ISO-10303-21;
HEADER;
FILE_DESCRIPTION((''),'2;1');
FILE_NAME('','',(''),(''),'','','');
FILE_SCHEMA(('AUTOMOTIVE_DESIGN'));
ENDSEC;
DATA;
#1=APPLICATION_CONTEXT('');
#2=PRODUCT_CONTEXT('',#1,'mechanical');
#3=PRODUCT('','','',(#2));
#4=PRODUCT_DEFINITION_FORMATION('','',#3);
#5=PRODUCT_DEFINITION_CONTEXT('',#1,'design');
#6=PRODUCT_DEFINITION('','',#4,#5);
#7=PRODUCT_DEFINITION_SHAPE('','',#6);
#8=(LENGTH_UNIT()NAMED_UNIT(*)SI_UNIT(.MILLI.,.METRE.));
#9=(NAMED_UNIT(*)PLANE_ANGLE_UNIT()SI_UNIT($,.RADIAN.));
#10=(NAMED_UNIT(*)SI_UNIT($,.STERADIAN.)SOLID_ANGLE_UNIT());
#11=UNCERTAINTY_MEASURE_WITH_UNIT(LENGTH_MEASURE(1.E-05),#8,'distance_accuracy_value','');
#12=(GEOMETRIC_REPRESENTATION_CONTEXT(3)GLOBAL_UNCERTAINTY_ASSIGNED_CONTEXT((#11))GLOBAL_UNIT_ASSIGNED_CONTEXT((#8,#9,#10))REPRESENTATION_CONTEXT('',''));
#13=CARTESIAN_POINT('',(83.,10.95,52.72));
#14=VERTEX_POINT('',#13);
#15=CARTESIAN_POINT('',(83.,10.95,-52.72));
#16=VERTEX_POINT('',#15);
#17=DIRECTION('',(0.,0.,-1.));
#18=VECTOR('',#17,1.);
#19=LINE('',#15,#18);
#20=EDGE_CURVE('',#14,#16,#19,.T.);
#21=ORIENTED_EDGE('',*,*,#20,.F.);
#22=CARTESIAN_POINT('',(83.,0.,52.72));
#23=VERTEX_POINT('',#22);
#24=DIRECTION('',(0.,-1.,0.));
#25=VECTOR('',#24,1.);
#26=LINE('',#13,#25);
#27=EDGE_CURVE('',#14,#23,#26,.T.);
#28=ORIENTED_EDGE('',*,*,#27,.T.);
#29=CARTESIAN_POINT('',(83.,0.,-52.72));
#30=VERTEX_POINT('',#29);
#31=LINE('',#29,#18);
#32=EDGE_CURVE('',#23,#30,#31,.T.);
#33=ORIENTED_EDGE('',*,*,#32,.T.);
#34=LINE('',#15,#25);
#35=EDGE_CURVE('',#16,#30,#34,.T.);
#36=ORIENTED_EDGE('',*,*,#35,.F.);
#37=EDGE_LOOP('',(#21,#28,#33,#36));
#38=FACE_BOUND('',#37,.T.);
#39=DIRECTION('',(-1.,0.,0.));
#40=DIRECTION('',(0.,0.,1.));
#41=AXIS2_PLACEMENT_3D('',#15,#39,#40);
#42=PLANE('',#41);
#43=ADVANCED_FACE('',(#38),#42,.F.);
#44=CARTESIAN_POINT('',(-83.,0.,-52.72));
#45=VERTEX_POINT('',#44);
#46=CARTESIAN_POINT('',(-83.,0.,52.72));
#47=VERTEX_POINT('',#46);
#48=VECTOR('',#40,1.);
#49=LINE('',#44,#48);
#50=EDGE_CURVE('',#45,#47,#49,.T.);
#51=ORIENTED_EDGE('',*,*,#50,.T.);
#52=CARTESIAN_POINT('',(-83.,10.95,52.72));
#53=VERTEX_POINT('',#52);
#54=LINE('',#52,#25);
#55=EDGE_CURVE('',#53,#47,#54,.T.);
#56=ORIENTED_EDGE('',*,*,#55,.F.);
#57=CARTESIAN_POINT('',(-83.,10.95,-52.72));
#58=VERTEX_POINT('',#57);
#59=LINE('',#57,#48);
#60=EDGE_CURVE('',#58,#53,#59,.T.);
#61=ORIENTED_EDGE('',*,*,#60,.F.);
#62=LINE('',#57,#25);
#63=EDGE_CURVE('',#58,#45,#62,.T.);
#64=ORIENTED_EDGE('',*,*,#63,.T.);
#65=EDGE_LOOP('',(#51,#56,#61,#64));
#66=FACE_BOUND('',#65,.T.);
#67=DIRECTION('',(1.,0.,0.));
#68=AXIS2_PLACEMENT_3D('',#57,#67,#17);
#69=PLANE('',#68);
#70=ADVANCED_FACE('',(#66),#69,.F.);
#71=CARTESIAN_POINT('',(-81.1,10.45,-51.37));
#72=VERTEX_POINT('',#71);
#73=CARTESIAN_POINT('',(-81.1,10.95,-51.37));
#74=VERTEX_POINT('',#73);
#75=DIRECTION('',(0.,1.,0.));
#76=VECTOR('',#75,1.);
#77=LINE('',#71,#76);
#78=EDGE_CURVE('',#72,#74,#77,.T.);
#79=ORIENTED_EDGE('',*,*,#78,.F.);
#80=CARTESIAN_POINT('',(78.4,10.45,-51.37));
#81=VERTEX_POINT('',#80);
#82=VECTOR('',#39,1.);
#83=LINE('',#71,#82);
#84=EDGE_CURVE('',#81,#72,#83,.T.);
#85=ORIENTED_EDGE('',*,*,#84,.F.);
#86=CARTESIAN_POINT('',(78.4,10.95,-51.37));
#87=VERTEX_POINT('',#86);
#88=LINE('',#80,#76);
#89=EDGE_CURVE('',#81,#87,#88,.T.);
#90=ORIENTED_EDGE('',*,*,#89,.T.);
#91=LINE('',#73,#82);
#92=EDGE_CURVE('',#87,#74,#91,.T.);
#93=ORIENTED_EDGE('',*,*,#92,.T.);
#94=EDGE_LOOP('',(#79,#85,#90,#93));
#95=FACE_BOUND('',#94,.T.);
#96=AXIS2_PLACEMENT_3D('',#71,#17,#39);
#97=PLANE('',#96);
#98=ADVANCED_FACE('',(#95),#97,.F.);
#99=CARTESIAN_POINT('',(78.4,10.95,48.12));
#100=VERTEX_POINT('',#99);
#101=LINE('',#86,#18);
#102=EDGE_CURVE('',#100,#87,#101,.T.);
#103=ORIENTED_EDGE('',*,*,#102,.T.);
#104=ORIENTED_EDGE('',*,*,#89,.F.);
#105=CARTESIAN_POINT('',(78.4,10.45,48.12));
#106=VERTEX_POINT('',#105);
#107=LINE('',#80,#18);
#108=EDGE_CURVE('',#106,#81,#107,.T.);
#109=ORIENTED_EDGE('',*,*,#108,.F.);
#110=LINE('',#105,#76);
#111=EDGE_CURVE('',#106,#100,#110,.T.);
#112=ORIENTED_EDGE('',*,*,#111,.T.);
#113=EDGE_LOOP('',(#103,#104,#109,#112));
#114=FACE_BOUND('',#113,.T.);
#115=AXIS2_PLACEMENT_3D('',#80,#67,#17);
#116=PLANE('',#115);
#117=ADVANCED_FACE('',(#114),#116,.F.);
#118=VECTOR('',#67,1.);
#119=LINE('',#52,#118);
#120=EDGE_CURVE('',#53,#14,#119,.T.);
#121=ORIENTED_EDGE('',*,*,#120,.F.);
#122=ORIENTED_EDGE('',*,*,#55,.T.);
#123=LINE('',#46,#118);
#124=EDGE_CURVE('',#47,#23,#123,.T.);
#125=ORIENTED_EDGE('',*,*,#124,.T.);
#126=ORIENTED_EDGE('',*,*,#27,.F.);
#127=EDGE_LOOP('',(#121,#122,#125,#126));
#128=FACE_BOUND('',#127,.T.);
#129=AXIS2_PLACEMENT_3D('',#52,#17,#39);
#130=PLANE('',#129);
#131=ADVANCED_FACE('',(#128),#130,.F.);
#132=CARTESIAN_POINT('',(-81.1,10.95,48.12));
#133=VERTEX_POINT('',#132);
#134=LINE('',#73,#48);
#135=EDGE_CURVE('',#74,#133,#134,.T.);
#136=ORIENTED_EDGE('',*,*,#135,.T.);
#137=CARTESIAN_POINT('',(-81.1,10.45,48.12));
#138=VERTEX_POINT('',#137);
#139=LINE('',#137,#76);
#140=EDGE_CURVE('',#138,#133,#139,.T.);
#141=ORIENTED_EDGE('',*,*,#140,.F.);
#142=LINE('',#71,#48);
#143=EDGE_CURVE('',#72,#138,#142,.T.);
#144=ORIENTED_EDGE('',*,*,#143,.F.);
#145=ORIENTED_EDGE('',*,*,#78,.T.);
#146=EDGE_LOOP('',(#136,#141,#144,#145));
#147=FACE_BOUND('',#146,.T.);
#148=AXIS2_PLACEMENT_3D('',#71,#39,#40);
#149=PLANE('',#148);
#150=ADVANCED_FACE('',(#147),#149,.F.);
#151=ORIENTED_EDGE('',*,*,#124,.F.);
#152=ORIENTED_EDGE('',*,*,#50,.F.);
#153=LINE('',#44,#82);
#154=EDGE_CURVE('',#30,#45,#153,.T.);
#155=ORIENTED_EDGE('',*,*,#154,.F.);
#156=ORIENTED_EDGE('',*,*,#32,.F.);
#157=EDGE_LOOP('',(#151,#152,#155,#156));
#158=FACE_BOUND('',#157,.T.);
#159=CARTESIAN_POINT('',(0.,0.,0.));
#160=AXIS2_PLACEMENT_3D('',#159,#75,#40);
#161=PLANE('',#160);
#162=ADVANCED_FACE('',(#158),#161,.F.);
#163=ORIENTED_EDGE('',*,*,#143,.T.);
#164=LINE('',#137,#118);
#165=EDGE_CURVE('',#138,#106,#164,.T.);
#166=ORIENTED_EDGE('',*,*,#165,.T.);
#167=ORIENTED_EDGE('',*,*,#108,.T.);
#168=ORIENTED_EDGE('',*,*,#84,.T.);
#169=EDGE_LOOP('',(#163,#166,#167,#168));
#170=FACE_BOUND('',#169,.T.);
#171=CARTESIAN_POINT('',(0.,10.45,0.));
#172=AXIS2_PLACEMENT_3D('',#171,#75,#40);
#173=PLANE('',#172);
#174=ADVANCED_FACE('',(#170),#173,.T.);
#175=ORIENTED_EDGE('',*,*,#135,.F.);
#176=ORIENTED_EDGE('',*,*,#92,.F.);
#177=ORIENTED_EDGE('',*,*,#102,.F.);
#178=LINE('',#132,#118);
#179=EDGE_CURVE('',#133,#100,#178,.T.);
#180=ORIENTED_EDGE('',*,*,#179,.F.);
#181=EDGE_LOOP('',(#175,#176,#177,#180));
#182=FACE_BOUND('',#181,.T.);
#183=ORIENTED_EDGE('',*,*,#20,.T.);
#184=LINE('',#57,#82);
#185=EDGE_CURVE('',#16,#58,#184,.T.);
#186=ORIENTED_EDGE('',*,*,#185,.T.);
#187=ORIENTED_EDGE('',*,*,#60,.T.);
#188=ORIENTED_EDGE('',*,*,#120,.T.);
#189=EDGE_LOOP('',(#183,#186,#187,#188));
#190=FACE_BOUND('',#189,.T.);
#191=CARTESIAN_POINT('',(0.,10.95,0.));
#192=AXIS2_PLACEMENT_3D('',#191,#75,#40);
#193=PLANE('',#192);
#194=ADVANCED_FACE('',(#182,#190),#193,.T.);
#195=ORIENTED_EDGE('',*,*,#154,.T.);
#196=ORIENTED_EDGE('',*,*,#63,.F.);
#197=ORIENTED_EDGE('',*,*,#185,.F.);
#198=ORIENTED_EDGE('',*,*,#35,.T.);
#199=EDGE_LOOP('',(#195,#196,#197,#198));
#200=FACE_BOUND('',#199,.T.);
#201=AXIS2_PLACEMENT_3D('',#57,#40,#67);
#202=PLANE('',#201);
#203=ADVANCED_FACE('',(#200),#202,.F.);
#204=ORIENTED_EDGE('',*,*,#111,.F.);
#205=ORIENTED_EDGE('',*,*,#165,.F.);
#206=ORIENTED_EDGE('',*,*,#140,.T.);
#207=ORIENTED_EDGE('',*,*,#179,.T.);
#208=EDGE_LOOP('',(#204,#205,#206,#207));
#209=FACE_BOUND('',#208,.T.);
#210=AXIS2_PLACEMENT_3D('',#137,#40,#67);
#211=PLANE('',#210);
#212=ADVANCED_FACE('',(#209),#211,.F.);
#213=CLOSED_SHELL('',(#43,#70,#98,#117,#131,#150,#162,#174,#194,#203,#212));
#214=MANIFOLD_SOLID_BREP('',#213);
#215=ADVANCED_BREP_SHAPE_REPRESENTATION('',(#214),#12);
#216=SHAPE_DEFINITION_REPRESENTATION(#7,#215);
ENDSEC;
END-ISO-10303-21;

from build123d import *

# Parameters (mm, degrees)
SKETCH1_W           = 166
SKETCH1_H           = 105.44
BOSS_EXTRUDE1_DEPTH = 10.95
SKETCH2_W           = 159.5
SKETCH2_H           = 99.49
CUT_EXTRUDE1_DEPTH  = 0.5


with BuildPart() as part:
    # Sketch1 → Boss-Extrude1 (new body)
    with BuildSketch(Plane(origin=(0, 0, 0), x_dir=(1, 0, 0), z_dir=(0, 1, 0))):
        Rectangle(SKETCH1_W, SKETCH1_H)
    extrude(amount=BOSS_EXTRUDE1_DEPTH)

    # Sketch2 → Cut-Extrude1 (cut)
    with BuildSketch(Plane(origin=(0, 10.95, 0), x_dir=(1, 0, 0), z_dir=(0, 1, 0))):
        with Locations((-1.35, 1.625)):
            Rectangle(SKETCH2_W, SKETCH2_H)
    extrude(amount=-CUT_EXTRUDE1_DEPTH, mode=Mode.SUBTRACT)


solid = part.part
